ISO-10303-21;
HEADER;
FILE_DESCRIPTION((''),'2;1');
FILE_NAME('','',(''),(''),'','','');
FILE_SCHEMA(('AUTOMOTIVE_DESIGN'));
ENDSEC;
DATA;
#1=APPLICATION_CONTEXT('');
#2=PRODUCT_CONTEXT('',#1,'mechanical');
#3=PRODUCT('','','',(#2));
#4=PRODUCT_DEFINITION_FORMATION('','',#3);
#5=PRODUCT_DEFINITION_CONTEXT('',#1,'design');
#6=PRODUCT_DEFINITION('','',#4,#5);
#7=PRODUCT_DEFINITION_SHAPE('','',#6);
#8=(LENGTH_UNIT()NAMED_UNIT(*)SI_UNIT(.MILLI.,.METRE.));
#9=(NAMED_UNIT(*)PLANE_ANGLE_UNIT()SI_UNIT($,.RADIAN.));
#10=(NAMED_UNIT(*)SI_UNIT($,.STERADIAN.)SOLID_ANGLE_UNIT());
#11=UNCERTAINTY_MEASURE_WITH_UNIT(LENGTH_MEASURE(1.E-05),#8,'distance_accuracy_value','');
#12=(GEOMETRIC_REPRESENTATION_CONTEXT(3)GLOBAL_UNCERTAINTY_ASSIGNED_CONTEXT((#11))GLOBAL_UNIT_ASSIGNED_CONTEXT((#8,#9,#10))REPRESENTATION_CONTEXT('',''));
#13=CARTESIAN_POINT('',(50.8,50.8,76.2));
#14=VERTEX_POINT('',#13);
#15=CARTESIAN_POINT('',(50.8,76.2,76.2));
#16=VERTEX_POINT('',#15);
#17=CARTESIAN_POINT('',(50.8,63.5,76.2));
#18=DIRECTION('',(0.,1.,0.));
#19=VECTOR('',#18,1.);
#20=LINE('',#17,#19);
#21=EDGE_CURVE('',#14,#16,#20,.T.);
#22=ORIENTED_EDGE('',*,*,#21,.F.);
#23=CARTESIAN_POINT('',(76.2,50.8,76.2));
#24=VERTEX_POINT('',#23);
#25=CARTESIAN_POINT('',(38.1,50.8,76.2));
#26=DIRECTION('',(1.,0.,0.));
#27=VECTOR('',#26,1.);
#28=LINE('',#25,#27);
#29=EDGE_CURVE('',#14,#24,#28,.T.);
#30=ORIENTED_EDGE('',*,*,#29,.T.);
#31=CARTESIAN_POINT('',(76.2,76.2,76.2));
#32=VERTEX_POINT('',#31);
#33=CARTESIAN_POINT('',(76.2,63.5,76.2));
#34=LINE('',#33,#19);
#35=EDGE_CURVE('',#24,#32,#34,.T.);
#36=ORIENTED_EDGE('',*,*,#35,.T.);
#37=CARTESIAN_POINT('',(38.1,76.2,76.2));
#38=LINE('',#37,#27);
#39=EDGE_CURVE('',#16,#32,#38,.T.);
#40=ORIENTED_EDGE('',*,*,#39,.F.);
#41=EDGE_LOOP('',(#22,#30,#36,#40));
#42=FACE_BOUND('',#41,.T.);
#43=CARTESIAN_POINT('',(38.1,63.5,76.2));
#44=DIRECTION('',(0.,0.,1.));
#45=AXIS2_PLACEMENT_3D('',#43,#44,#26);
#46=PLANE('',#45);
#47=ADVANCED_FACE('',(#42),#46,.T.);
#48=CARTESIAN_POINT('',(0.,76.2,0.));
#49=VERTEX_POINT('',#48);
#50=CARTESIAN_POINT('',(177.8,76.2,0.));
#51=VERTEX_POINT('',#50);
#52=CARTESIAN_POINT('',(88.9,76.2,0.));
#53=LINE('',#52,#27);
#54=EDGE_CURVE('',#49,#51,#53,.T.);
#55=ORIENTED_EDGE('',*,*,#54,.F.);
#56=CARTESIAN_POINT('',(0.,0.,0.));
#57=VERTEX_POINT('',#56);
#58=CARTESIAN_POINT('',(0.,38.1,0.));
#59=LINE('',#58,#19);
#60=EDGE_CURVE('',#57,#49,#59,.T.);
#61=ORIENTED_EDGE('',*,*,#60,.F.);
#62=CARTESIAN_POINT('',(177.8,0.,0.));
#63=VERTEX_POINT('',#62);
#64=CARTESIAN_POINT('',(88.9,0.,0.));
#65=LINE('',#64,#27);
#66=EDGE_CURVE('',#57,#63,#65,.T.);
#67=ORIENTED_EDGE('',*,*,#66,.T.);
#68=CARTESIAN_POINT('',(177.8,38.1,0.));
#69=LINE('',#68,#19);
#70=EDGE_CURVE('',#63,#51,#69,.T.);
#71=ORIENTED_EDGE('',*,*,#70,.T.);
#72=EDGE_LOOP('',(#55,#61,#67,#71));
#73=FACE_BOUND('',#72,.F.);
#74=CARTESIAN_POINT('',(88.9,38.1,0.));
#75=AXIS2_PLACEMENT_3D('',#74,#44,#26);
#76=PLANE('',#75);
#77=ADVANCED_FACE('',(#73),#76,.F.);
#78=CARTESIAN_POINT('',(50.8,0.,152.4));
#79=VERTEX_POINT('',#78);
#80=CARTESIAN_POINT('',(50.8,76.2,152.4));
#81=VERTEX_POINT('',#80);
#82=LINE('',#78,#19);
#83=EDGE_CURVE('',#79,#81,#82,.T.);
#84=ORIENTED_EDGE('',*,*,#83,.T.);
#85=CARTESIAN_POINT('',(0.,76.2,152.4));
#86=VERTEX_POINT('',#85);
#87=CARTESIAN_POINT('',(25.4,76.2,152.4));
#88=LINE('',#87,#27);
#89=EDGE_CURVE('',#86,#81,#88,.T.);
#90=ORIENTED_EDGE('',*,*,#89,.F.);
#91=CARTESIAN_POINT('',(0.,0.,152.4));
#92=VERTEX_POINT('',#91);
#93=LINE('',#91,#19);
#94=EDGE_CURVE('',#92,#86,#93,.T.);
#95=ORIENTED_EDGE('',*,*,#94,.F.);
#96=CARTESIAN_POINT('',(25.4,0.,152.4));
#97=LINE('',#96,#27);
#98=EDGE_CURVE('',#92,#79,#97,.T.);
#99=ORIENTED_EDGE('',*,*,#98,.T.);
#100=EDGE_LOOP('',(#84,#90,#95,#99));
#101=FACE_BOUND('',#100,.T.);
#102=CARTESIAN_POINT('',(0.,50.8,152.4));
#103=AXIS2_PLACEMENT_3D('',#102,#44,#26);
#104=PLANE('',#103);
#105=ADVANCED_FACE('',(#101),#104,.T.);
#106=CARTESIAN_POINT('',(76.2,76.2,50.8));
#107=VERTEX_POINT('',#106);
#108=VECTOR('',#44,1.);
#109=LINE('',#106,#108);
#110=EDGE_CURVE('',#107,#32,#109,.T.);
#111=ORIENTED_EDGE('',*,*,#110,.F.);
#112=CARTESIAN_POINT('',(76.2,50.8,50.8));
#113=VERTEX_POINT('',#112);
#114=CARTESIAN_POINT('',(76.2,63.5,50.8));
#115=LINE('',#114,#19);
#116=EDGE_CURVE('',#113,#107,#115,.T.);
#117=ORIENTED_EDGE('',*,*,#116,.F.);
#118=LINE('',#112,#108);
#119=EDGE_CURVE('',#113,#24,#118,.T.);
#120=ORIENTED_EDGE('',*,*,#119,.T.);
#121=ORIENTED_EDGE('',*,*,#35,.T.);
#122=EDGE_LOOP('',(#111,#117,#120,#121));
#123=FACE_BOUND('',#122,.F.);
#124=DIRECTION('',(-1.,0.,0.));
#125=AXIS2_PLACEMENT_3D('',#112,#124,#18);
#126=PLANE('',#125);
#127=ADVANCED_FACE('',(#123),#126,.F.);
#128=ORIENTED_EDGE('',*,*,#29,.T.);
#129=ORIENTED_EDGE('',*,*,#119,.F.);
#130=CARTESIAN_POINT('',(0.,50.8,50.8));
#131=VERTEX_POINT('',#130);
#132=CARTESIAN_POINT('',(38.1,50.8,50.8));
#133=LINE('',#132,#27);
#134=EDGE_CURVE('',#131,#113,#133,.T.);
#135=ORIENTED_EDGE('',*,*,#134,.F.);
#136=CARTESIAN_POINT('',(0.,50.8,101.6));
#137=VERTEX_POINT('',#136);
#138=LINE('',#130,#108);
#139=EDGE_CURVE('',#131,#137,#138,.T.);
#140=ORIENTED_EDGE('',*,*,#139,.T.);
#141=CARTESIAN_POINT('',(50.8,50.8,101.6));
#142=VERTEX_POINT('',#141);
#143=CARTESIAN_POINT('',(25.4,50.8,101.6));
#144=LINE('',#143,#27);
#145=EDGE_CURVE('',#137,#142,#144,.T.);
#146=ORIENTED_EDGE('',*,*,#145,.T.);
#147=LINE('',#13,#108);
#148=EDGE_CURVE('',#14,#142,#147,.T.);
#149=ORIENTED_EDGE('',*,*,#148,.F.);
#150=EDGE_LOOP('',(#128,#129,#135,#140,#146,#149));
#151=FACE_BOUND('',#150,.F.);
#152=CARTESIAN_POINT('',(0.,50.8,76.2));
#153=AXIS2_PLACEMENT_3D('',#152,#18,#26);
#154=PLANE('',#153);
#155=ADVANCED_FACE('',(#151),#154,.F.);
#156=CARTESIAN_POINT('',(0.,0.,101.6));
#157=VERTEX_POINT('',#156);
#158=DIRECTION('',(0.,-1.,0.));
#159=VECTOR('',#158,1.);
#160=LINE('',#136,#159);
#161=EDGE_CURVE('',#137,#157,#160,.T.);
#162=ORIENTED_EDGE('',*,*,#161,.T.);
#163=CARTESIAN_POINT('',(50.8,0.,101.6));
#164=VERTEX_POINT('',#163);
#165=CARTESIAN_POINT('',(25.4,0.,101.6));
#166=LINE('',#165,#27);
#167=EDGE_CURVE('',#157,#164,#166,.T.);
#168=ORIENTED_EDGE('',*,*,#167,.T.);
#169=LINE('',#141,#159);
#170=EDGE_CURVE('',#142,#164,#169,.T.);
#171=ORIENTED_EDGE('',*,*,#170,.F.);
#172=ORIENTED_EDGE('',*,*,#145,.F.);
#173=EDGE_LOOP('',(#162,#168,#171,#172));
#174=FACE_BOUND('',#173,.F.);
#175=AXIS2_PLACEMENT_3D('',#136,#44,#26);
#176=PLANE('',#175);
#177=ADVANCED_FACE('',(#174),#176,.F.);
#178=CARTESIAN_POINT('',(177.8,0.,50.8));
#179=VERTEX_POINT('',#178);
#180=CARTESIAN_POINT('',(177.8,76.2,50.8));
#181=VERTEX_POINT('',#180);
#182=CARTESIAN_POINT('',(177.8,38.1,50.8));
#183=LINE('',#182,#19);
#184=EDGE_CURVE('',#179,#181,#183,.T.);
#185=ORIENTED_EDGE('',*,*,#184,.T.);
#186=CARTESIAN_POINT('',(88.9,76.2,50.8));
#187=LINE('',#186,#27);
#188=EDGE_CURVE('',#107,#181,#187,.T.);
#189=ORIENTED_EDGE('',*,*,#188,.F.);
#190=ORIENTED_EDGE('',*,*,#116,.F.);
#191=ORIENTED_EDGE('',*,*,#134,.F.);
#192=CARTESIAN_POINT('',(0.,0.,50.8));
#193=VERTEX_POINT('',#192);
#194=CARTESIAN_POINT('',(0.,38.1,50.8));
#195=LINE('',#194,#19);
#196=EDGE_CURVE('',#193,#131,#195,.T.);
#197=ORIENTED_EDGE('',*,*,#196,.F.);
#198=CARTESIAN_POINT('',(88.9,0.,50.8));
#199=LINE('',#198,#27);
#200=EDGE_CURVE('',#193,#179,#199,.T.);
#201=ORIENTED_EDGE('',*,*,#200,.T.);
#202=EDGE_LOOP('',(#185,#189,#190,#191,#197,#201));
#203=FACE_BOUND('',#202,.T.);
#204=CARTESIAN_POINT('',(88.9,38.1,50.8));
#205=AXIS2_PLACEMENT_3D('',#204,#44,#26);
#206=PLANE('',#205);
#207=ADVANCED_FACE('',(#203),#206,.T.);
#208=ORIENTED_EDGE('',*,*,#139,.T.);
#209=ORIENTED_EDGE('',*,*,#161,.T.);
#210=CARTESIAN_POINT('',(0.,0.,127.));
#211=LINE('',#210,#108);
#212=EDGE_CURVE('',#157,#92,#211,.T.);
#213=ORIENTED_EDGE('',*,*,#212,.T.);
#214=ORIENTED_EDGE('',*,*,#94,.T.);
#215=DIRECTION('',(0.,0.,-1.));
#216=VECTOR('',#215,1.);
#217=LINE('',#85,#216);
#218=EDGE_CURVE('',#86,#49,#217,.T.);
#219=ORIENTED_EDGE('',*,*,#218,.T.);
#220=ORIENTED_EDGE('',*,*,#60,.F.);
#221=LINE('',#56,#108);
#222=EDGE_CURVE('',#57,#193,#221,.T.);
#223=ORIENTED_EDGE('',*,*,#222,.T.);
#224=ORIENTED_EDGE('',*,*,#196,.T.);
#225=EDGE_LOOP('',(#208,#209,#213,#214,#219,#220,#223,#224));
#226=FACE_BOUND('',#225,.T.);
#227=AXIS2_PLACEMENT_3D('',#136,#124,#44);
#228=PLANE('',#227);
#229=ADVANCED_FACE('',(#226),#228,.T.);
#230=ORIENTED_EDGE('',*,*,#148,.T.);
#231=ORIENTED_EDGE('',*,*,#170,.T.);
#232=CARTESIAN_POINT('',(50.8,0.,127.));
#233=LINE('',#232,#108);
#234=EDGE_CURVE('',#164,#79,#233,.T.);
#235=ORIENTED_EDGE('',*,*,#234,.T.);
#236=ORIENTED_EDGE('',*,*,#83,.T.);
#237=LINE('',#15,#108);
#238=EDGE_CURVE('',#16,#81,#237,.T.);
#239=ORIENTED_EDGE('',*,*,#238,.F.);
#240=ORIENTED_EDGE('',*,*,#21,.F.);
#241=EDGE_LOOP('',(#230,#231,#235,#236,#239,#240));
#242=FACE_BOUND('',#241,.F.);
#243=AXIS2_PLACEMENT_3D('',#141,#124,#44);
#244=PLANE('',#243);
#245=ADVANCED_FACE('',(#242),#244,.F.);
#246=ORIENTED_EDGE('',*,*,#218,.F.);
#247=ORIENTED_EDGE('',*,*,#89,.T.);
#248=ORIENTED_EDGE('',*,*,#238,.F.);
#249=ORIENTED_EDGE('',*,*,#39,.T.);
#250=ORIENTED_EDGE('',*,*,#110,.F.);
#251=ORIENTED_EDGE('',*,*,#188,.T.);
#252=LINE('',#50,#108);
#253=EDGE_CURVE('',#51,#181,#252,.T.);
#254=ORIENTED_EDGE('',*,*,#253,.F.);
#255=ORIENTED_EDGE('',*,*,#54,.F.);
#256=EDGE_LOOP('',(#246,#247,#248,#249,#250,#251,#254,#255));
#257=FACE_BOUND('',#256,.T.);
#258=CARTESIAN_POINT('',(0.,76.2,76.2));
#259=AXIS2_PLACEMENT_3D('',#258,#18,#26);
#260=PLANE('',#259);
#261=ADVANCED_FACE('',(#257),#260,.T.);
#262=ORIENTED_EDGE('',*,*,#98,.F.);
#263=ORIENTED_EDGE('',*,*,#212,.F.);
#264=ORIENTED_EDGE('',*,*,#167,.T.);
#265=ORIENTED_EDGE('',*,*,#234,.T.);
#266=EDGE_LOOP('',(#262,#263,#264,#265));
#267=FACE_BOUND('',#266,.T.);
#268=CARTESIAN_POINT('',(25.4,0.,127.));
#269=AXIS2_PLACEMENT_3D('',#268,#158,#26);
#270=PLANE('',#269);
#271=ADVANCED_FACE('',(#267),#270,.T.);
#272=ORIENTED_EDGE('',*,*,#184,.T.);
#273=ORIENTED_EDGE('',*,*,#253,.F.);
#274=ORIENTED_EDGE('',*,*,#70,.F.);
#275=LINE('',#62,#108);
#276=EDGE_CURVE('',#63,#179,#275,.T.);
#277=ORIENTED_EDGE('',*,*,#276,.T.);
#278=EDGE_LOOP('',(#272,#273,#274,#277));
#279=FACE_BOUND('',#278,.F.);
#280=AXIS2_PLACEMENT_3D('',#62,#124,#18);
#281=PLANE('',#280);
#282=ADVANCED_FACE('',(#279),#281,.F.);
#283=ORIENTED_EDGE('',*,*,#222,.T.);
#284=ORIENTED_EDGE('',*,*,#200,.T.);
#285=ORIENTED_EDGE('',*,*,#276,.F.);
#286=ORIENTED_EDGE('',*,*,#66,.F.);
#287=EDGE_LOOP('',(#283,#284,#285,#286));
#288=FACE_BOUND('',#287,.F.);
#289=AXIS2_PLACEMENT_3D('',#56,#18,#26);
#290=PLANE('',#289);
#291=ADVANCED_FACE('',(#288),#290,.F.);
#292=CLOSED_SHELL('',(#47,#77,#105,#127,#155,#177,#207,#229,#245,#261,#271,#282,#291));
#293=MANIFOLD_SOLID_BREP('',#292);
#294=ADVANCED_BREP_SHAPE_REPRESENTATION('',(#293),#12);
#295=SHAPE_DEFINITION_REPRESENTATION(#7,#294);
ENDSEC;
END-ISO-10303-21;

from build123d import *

# Parameters (mm, degrees)
F0_W     = 177.8
F0_H     = 76.2
F1_DEPTH = 50.8
F2_W     = 76.2
F2_H     = 25.4
F3_DEPTH = 25.4
F4_W     = 50.8
F4_H     = 25.4
F5_DEPTH = 76.2
F6_W     = 50.8
F6_H     = 50.8
F7_DEPTH = 50.8


with BuildPart() as f1:
    # F0 (on Top) → F1 (new body)
    with BuildSketch(Plane.XY):
        with Locations((88.9, 38.1)):
            Rectangle(F0_W, F0_H)
    extrude(amount=F1_DEPTH)

    # F2 (on face) → F3 (join)
    with BuildSketch(Plane.XY.offset(50.8)):
        with Locations((38.1, 63.5)):
            Rectangle(F2_W, F2_H)
    extrude(amount=F3_DEPTH)

    # F4 (on face) → F5 (join)
    with BuildSketch(Plane.XY.offset(76.2)):
        with Locations((25.4, 63.5)):
            Rectangle(F4_W, F4_H)
    extrude(amount=F5_DEPTH)

    # F6 (on face) → F7 (join)
    with BuildSketch(Plane.XZ.offset(-50.8)):
        with Locations((25.4, 127)):
            Rectangle(F6_W, F6_H)
    extrude(amount=F7_DEPTH)


solid = f1.part
